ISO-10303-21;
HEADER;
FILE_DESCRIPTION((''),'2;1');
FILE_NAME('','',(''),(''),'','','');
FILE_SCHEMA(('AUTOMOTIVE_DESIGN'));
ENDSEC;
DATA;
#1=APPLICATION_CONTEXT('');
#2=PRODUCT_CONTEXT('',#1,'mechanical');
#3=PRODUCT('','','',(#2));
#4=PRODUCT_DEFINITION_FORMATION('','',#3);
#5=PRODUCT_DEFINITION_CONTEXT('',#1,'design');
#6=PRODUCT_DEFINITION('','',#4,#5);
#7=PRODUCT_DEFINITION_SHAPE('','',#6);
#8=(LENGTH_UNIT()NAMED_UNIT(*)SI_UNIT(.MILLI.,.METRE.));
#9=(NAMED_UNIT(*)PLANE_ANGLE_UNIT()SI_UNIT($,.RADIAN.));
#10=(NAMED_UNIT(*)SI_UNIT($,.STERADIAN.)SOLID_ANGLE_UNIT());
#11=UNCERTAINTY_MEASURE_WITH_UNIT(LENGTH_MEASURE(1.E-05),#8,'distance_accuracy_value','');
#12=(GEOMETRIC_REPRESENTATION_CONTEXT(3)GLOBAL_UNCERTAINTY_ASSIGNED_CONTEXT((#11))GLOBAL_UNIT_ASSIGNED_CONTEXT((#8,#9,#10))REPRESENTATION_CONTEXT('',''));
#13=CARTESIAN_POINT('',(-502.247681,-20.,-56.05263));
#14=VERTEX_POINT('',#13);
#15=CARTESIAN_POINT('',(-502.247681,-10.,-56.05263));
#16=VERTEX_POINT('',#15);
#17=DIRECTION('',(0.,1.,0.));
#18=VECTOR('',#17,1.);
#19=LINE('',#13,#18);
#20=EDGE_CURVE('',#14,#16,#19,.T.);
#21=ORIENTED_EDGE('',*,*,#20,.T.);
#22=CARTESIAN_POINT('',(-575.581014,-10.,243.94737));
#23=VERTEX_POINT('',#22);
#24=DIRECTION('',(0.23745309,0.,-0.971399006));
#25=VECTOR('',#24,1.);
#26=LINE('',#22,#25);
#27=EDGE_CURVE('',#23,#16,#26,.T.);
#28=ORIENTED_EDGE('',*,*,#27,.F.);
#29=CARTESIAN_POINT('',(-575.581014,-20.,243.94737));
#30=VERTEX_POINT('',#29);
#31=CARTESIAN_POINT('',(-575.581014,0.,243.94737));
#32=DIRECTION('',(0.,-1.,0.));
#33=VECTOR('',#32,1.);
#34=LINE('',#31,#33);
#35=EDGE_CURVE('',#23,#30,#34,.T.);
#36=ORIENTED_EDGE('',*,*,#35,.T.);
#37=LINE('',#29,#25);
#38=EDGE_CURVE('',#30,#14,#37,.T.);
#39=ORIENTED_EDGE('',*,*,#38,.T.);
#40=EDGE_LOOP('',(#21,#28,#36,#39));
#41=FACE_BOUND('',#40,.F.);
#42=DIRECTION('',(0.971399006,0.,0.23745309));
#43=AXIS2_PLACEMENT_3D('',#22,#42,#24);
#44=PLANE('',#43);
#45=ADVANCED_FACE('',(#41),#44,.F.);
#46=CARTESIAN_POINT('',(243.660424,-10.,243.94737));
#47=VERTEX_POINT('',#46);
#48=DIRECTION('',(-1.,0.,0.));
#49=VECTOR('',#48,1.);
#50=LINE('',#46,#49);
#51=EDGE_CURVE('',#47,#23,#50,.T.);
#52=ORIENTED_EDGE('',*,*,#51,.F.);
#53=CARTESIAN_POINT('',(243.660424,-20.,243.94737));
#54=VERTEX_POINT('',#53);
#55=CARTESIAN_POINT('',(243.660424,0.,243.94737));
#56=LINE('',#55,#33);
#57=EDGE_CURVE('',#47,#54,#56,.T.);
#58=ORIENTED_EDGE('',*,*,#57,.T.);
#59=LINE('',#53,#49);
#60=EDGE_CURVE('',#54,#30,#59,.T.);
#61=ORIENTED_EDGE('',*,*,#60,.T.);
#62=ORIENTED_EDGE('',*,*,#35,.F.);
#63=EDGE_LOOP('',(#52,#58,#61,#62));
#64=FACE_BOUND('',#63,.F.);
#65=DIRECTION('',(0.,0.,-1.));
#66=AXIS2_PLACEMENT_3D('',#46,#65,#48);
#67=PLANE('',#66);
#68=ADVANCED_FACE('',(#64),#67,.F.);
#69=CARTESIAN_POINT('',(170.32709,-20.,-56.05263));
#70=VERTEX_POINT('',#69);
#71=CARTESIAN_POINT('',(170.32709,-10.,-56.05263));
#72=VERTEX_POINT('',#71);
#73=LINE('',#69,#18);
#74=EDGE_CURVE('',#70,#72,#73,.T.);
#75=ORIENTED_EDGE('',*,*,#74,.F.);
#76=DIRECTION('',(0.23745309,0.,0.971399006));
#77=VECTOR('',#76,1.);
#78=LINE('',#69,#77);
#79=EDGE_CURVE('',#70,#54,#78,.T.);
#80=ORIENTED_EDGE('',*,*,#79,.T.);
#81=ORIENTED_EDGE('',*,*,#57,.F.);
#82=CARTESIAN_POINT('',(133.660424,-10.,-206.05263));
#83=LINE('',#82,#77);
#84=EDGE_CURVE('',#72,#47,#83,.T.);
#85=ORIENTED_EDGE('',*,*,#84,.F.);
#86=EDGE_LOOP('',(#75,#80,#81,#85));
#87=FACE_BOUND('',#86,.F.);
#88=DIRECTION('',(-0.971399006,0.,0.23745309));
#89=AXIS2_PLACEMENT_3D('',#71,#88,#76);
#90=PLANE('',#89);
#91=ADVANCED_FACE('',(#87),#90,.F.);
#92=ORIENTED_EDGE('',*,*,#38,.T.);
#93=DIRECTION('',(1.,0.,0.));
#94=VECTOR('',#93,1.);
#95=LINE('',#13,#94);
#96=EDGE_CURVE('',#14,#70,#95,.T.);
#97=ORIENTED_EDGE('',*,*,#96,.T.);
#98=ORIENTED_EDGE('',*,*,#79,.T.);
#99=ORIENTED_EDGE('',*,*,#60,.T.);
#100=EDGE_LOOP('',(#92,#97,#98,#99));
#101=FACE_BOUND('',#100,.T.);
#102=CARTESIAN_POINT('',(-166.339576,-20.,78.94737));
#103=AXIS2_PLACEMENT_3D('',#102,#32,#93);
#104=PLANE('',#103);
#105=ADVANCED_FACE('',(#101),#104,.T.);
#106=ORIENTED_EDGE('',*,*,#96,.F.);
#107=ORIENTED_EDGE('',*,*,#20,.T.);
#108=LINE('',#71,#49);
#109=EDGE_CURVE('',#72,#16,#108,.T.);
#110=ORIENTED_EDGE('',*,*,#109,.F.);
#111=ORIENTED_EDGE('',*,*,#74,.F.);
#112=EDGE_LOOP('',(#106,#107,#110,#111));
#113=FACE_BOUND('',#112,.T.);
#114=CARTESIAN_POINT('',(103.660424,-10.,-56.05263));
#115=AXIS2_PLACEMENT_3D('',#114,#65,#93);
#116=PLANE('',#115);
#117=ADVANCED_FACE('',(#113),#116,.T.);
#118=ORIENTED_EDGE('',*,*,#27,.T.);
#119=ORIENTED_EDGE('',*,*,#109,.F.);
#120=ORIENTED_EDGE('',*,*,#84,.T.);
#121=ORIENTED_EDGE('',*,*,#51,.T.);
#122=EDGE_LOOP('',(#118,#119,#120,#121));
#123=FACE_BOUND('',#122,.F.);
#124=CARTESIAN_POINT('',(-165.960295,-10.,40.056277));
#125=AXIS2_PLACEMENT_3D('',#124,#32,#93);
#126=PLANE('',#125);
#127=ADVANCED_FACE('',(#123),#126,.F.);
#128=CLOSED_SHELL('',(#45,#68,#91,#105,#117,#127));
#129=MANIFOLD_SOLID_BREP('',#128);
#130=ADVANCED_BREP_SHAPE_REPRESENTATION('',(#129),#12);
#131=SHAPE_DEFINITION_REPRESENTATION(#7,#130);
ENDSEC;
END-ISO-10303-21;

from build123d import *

# Parameters (mm, degrees)
F0_W     = 540
F0_H     = 390
F1_DEPTH = 10
F3_DEPTH = 10
F4_DEPTH = 10.001
F5_DEPTH = 10


with BuildPart() as f1:
    # F0 (on Front) → F1 (new body)
    with BuildSketch(Plane.XZ):
        Polygon((-575.5810141563, 243.9473703504), (-465.5810141563, -206.0526296496), (133.660423523, -206.0526296496), (243.660423523, 243.9473703504), (133.660423523, 243.9473703504), (-465.5810141563, 243.9473703504), align=None)
        with Locations((-166.339576477, 18.9473703504)):
            Rectangle(F0_W, F0_H, mode=Mode.SUBTRACT)
        Polygon((-495.5810141563, 43.0153865893), (-537.3643879646, 213.9473703504), (-495.5810141563, 213.9473703504), align=None, mode=Mode.SUBTRACT)
        Polygon((163.660423523, 213.9473703504), (205.4437973313, 213.9473703504), (163.660423523, 43.0153865893), align=None, mode=Mode.SUBTRACT)
    extrude(amount=F1_DEPTH)

    # F2 (on face) → F3 (join)
    with BuildSketch(Plane.XZ.offset(10)):
        Polygon((-436.339576477, 213.9473703504), (-436.339576477, -56.0526296496), (-237.4058812857, -56.0526296496), (103.660423523, -56.0526296496), (103.660423523, 213.9473703504), align=None)
        Polygon((-237.4058812857, 243.9473703504), (-575.5810141563, 243.9473703504), (-502.247680823, -56.0526296496), (-436.339576477, -56.0526296496), (-436.339576477, 213.9473703504), (103.660423523, 213.9473703504), (103.660423523, -56.0526296496), (170.3270901897, -56.0526296496), (243.660423523, 243.9473703504), align=None)
        Polygon((-495.5810141563, 213.9473703504), (-495.5810141563, 43.0153865893), (-537.3643879646, 213.9473703504), align=None, mode=Mode.SUBTRACT)
        Polygon((163.660423523, 43.0153865893), (163.660423523, 213.9473703504), (205.4437973313, 213.9473703504), align=None, mode=Mode.SUBTRACT)
        Polygon((-537.3643879646, 213.9473703504), (-495.5810141563, 43.0153865893), (-495.5810141563, 213.9473703504), align=None)
        Polygon((205.4437973313, 213.9473703504), (163.660423523, 213.9473703504), (163.660423523, 43.0153865893), align=None)
    extrude(amount=F3_DEPTH)

    # F4 (cut, through all): a face of the model
    f4_faces = [f1.faces().sort_by_distance(p)[0] for p in [
        (-469.29362865, -10, -62.9436152294),
    ]]
    extrude(f4_faces, amount=-F4_DEPTH, mode=Mode.SUBTRACT)

    # F0 (on Front) → F5 (cut)
    with BuildSketch(Plane.XZ):
        Polygon((-575.5810141563, 243.9473703504), (-465.5810141563, -206.0526296496), (133.660423523, -206.0526296496), (243.660423523, 243.9473703504), (133.660423523, 243.9473703504), (-465.5810141563, 243.9473703504), align=None)
        with Locations((-166.339576477, 18.9473703504)):
            Rectangle(F0_W, F0_H, mode=Mode.SUBTRACT)
        Polygon((-495.5810141563, 43.0153865893), (-537.3643879646, 213.9473703504), (-495.5810141563, 213.9473703504), align=None, mode=Mode.SUBTRACT)
        Polygon((163.660423523, 213.9473703504), (205.4437973313, 213.9473703504), (163.660423523, 43.0153865893), align=None, mode=Mode.SUBTRACT)
    extrude(amount=F5_DEPTH, mode=Mode.SUBTRACT)


solid = f1.part
